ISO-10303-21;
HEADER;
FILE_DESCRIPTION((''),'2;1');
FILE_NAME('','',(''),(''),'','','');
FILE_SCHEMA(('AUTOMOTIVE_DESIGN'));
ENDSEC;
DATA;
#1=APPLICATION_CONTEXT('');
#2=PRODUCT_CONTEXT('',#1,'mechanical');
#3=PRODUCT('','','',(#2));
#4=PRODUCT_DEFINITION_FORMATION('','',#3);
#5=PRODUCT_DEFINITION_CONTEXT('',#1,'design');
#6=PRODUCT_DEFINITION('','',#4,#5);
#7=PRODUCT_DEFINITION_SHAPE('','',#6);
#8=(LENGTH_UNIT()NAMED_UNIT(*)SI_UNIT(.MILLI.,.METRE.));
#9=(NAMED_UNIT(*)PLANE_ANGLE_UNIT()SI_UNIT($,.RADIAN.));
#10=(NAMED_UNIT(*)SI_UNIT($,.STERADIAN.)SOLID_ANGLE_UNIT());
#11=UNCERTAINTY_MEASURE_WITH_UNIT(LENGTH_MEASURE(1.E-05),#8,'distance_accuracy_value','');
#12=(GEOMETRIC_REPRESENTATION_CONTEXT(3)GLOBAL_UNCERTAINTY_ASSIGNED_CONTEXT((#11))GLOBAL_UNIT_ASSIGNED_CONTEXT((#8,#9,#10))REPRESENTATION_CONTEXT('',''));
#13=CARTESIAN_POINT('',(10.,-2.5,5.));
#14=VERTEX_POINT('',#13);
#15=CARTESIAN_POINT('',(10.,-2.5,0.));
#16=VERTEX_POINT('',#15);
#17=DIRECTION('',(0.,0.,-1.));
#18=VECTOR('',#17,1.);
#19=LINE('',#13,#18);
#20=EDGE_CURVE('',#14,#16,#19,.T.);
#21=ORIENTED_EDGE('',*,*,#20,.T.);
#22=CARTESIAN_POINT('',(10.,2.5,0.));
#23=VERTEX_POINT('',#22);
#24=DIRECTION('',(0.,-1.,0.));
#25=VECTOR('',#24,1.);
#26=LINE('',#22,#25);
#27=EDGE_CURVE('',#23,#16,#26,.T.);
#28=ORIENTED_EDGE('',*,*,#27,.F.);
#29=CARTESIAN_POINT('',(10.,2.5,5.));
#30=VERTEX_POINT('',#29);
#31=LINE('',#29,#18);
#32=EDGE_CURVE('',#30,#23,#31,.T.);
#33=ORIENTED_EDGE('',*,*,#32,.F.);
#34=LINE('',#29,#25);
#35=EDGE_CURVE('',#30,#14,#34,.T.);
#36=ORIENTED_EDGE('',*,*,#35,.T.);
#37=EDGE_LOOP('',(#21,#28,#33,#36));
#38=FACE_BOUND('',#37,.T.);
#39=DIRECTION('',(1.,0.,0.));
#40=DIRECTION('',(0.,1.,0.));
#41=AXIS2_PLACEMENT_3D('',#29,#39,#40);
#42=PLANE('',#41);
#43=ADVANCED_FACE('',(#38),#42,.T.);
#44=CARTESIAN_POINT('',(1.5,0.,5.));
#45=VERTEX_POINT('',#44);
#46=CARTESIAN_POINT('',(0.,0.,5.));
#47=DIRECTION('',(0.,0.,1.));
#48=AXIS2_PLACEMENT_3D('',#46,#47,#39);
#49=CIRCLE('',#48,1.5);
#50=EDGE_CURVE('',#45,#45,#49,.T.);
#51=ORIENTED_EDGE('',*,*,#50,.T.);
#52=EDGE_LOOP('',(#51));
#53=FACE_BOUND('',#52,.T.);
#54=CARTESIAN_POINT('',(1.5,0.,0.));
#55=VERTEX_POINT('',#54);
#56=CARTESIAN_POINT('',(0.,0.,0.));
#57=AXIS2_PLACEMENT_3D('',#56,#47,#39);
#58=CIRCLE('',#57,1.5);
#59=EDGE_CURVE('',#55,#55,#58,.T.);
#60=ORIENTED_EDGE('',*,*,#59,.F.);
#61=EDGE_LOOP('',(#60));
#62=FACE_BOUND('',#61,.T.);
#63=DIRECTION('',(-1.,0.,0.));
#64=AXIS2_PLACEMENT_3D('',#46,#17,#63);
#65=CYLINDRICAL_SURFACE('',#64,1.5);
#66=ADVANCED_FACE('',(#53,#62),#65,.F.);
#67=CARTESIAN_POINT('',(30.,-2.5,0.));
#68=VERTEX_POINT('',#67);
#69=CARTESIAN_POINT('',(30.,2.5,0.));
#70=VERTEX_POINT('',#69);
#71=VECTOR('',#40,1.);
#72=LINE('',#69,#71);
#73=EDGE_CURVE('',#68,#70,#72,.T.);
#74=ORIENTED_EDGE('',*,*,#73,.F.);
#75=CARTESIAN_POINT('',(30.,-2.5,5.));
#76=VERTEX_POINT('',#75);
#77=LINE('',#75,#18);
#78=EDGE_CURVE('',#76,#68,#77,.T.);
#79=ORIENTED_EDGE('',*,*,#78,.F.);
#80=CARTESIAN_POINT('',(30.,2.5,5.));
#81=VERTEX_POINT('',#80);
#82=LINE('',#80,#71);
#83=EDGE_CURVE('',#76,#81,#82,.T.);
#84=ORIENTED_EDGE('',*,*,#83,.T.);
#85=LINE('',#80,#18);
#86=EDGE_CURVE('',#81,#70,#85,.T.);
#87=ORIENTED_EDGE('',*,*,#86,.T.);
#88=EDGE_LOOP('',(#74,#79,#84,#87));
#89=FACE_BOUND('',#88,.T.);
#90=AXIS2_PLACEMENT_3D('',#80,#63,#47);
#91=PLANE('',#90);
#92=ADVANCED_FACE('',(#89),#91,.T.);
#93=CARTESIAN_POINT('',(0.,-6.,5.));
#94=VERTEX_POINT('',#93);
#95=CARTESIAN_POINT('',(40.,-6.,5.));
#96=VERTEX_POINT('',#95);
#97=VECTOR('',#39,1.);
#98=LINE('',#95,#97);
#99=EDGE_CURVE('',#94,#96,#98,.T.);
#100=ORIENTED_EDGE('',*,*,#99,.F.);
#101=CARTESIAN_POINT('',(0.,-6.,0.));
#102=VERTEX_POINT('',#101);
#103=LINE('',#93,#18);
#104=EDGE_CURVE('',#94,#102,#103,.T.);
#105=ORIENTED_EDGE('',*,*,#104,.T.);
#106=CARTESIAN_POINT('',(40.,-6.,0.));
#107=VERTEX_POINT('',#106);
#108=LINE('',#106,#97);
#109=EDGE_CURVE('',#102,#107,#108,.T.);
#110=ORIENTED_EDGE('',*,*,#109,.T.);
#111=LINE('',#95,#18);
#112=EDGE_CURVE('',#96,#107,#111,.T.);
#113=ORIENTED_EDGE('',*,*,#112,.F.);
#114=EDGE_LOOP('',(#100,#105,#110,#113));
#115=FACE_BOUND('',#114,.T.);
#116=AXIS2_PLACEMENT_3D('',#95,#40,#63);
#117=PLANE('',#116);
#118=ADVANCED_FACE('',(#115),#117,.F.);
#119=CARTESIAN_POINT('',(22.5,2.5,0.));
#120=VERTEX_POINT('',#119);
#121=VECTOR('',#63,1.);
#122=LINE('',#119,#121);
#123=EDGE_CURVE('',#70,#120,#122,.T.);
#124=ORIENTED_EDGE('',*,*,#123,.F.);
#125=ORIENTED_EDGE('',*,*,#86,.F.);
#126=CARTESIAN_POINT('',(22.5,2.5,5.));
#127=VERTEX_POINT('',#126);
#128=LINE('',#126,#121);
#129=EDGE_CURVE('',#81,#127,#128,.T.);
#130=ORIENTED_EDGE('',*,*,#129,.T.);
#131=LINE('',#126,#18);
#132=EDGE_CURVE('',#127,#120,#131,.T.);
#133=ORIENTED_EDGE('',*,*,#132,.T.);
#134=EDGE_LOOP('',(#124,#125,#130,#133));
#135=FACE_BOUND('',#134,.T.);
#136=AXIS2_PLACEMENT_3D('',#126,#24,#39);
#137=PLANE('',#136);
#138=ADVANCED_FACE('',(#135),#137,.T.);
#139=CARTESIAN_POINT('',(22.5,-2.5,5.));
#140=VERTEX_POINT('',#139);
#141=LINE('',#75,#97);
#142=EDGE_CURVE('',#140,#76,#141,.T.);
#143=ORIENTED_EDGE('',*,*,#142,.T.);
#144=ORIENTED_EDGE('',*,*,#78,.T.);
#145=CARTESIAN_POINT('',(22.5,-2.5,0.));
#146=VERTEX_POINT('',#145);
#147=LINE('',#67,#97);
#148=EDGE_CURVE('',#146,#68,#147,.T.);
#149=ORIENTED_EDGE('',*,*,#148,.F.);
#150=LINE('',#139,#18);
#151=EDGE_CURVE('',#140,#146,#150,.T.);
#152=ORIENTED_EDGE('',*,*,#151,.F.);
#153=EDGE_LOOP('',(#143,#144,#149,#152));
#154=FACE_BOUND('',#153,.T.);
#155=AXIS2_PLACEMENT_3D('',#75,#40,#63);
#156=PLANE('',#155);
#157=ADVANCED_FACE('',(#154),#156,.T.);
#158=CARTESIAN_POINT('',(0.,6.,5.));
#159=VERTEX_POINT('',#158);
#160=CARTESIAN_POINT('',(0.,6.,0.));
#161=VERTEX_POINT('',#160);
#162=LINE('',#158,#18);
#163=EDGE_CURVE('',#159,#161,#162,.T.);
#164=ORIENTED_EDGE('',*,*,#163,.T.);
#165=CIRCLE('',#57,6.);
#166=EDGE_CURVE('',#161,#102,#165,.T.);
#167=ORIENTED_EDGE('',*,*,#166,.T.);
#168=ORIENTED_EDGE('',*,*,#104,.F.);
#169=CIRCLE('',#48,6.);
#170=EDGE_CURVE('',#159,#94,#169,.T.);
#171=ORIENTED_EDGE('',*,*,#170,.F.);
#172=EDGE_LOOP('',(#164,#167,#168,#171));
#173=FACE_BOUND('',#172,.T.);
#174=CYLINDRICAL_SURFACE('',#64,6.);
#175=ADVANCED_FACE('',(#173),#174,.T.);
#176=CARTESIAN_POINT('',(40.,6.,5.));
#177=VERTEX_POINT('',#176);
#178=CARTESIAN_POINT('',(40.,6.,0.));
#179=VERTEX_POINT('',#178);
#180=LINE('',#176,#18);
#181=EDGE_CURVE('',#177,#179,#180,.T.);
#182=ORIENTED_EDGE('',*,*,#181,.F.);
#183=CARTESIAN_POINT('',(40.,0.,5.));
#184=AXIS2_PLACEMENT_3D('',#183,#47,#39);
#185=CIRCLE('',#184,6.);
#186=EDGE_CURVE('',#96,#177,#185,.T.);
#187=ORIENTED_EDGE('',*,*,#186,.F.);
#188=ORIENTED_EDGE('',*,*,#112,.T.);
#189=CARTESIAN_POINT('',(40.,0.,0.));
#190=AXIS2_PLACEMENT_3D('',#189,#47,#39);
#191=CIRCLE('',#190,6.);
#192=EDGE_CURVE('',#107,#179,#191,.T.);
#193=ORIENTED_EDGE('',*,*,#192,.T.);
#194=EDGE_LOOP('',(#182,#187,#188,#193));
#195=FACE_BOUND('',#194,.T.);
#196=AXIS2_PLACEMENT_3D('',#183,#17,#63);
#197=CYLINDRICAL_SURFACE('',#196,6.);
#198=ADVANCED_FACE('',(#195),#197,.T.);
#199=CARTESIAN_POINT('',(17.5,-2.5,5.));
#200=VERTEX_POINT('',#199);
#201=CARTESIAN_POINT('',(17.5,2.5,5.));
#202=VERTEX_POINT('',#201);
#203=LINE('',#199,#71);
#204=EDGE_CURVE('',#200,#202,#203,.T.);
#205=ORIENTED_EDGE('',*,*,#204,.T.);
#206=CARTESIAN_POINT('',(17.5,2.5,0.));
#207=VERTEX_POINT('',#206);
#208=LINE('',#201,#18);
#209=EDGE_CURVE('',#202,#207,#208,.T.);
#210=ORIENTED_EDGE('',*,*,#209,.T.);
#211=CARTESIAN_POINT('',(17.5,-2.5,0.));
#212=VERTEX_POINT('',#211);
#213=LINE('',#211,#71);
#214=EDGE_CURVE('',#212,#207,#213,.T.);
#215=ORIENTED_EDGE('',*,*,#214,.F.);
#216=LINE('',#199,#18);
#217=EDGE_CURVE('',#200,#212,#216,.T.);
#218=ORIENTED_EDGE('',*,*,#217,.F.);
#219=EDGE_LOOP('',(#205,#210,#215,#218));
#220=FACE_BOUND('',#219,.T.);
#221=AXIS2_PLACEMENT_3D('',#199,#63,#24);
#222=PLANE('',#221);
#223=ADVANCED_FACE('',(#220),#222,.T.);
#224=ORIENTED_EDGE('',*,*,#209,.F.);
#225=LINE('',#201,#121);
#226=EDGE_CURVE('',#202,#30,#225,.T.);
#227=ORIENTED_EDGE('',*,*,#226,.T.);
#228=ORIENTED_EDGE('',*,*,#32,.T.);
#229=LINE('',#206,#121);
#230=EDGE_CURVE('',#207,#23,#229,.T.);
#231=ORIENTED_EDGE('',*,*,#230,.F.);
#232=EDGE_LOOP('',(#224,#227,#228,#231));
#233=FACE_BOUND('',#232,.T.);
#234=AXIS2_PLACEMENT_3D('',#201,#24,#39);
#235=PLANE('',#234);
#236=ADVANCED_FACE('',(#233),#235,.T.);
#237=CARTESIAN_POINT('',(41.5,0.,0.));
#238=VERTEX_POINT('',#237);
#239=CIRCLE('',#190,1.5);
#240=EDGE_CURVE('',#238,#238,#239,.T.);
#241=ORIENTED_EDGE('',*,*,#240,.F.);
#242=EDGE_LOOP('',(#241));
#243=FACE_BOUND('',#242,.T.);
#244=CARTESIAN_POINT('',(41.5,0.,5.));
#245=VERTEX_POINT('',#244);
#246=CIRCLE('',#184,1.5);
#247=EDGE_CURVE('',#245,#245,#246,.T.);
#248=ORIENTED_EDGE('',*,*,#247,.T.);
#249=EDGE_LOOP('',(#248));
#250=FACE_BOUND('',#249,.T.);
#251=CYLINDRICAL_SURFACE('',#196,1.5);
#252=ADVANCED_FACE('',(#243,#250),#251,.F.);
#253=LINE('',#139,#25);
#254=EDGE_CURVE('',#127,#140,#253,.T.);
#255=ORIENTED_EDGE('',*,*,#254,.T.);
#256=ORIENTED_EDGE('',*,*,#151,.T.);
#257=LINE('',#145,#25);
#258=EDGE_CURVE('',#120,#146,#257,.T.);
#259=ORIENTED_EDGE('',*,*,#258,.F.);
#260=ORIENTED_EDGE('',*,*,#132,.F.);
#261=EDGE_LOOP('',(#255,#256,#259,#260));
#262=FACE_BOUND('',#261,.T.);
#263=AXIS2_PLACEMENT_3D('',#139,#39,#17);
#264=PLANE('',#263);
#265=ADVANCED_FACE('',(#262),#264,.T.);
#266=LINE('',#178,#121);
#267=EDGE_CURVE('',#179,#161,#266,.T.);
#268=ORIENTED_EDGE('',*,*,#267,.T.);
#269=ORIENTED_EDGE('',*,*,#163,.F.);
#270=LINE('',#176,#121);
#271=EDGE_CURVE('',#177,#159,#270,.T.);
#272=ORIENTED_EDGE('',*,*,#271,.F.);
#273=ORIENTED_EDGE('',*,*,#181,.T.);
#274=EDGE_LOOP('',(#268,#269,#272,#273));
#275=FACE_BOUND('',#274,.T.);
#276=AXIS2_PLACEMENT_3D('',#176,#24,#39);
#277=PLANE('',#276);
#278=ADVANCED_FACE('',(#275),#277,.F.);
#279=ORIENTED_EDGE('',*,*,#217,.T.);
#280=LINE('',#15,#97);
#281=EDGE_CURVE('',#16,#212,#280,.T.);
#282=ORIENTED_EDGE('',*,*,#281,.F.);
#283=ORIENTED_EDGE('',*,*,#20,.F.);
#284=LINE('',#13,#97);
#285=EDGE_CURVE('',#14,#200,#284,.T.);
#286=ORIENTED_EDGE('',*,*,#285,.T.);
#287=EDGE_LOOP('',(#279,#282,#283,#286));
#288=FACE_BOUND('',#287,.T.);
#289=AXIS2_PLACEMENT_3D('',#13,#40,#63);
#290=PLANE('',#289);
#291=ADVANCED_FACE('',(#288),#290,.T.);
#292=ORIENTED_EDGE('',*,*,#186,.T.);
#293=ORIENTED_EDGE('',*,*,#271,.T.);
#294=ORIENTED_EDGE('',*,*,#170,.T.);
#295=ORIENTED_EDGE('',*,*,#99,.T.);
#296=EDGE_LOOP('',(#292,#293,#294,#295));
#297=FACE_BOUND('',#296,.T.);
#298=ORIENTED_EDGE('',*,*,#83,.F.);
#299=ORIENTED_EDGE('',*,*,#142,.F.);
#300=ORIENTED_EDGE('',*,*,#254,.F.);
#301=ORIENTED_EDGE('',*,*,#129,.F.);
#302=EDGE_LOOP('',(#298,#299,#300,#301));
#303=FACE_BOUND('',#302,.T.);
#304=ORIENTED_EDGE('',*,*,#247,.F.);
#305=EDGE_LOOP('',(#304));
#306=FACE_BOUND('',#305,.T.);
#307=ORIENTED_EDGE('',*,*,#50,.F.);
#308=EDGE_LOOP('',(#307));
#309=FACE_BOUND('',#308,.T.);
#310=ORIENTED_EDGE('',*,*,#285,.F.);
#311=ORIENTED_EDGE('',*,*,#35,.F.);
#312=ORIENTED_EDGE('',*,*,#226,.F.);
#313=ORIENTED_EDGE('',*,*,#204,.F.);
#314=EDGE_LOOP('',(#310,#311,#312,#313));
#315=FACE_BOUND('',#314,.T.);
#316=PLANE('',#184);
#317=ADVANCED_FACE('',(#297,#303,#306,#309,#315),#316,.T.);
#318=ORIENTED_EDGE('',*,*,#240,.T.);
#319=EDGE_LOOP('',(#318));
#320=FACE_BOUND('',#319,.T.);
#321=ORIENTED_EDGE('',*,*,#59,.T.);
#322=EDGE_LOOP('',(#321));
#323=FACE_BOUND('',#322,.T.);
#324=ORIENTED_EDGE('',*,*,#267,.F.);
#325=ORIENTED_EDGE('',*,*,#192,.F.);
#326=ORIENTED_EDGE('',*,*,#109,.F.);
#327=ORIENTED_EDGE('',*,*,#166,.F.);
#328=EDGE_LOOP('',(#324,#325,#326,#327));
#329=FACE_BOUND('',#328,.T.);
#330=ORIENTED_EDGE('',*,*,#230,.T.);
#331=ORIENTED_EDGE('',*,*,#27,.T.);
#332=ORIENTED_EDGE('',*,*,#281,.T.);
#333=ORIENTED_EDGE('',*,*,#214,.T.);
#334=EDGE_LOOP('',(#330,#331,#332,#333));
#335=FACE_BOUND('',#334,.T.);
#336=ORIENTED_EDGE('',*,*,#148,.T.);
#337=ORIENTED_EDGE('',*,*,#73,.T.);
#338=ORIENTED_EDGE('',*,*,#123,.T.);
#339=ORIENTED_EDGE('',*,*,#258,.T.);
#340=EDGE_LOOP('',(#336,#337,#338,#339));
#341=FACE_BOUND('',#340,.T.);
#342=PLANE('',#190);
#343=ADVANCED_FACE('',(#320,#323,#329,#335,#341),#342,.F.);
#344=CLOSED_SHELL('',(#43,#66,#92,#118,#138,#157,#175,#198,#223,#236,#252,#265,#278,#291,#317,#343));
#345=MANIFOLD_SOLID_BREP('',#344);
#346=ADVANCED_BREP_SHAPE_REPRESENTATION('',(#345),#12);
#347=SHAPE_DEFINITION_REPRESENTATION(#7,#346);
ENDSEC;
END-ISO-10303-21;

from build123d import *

# Parameters (mm, degrees)
ESQUISSE1_R        = 1.5
ESQUISSE1_W        = 7.5
ESQUISSE1_H        = 5
BOSS_EXTRU_1_DEPTH = 5


with BuildPart() as part:
    # Esquisse1 → Boss.-Extru.1 (new body)
    with BuildSketch(Plane.XY):
        with BuildLine():
            Line((40, -6), (0, -6))
            ThreePointArc((0, -6), (-6, 0), (0, 6))
            Line((0, 6), (40, 6))
            ThreePointArc((40, 6), (46, 0), (40, -6))
        make_face()
        with Locations((40, 0)):
            Circle(ESQUISSE1_R, mode=Mode.SUBTRACT)
        Circle(ESQUISSE1_R, mode=Mode.SUBTRACT)
        with Locations((26.25, 0)):
            Rectangle(ESQUISSE1_W, ESQUISSE1_H, mode=Mode.SUBTRACT)
        with Locations((13.75, 0)):
            Rectangle(ESQUISSE1_W, ESQUISSE1_H, mode=Mode.SUBTRACT)
    extrude(amount=BOSS_EXTRU_1_DEPTH)


solid = part.part
